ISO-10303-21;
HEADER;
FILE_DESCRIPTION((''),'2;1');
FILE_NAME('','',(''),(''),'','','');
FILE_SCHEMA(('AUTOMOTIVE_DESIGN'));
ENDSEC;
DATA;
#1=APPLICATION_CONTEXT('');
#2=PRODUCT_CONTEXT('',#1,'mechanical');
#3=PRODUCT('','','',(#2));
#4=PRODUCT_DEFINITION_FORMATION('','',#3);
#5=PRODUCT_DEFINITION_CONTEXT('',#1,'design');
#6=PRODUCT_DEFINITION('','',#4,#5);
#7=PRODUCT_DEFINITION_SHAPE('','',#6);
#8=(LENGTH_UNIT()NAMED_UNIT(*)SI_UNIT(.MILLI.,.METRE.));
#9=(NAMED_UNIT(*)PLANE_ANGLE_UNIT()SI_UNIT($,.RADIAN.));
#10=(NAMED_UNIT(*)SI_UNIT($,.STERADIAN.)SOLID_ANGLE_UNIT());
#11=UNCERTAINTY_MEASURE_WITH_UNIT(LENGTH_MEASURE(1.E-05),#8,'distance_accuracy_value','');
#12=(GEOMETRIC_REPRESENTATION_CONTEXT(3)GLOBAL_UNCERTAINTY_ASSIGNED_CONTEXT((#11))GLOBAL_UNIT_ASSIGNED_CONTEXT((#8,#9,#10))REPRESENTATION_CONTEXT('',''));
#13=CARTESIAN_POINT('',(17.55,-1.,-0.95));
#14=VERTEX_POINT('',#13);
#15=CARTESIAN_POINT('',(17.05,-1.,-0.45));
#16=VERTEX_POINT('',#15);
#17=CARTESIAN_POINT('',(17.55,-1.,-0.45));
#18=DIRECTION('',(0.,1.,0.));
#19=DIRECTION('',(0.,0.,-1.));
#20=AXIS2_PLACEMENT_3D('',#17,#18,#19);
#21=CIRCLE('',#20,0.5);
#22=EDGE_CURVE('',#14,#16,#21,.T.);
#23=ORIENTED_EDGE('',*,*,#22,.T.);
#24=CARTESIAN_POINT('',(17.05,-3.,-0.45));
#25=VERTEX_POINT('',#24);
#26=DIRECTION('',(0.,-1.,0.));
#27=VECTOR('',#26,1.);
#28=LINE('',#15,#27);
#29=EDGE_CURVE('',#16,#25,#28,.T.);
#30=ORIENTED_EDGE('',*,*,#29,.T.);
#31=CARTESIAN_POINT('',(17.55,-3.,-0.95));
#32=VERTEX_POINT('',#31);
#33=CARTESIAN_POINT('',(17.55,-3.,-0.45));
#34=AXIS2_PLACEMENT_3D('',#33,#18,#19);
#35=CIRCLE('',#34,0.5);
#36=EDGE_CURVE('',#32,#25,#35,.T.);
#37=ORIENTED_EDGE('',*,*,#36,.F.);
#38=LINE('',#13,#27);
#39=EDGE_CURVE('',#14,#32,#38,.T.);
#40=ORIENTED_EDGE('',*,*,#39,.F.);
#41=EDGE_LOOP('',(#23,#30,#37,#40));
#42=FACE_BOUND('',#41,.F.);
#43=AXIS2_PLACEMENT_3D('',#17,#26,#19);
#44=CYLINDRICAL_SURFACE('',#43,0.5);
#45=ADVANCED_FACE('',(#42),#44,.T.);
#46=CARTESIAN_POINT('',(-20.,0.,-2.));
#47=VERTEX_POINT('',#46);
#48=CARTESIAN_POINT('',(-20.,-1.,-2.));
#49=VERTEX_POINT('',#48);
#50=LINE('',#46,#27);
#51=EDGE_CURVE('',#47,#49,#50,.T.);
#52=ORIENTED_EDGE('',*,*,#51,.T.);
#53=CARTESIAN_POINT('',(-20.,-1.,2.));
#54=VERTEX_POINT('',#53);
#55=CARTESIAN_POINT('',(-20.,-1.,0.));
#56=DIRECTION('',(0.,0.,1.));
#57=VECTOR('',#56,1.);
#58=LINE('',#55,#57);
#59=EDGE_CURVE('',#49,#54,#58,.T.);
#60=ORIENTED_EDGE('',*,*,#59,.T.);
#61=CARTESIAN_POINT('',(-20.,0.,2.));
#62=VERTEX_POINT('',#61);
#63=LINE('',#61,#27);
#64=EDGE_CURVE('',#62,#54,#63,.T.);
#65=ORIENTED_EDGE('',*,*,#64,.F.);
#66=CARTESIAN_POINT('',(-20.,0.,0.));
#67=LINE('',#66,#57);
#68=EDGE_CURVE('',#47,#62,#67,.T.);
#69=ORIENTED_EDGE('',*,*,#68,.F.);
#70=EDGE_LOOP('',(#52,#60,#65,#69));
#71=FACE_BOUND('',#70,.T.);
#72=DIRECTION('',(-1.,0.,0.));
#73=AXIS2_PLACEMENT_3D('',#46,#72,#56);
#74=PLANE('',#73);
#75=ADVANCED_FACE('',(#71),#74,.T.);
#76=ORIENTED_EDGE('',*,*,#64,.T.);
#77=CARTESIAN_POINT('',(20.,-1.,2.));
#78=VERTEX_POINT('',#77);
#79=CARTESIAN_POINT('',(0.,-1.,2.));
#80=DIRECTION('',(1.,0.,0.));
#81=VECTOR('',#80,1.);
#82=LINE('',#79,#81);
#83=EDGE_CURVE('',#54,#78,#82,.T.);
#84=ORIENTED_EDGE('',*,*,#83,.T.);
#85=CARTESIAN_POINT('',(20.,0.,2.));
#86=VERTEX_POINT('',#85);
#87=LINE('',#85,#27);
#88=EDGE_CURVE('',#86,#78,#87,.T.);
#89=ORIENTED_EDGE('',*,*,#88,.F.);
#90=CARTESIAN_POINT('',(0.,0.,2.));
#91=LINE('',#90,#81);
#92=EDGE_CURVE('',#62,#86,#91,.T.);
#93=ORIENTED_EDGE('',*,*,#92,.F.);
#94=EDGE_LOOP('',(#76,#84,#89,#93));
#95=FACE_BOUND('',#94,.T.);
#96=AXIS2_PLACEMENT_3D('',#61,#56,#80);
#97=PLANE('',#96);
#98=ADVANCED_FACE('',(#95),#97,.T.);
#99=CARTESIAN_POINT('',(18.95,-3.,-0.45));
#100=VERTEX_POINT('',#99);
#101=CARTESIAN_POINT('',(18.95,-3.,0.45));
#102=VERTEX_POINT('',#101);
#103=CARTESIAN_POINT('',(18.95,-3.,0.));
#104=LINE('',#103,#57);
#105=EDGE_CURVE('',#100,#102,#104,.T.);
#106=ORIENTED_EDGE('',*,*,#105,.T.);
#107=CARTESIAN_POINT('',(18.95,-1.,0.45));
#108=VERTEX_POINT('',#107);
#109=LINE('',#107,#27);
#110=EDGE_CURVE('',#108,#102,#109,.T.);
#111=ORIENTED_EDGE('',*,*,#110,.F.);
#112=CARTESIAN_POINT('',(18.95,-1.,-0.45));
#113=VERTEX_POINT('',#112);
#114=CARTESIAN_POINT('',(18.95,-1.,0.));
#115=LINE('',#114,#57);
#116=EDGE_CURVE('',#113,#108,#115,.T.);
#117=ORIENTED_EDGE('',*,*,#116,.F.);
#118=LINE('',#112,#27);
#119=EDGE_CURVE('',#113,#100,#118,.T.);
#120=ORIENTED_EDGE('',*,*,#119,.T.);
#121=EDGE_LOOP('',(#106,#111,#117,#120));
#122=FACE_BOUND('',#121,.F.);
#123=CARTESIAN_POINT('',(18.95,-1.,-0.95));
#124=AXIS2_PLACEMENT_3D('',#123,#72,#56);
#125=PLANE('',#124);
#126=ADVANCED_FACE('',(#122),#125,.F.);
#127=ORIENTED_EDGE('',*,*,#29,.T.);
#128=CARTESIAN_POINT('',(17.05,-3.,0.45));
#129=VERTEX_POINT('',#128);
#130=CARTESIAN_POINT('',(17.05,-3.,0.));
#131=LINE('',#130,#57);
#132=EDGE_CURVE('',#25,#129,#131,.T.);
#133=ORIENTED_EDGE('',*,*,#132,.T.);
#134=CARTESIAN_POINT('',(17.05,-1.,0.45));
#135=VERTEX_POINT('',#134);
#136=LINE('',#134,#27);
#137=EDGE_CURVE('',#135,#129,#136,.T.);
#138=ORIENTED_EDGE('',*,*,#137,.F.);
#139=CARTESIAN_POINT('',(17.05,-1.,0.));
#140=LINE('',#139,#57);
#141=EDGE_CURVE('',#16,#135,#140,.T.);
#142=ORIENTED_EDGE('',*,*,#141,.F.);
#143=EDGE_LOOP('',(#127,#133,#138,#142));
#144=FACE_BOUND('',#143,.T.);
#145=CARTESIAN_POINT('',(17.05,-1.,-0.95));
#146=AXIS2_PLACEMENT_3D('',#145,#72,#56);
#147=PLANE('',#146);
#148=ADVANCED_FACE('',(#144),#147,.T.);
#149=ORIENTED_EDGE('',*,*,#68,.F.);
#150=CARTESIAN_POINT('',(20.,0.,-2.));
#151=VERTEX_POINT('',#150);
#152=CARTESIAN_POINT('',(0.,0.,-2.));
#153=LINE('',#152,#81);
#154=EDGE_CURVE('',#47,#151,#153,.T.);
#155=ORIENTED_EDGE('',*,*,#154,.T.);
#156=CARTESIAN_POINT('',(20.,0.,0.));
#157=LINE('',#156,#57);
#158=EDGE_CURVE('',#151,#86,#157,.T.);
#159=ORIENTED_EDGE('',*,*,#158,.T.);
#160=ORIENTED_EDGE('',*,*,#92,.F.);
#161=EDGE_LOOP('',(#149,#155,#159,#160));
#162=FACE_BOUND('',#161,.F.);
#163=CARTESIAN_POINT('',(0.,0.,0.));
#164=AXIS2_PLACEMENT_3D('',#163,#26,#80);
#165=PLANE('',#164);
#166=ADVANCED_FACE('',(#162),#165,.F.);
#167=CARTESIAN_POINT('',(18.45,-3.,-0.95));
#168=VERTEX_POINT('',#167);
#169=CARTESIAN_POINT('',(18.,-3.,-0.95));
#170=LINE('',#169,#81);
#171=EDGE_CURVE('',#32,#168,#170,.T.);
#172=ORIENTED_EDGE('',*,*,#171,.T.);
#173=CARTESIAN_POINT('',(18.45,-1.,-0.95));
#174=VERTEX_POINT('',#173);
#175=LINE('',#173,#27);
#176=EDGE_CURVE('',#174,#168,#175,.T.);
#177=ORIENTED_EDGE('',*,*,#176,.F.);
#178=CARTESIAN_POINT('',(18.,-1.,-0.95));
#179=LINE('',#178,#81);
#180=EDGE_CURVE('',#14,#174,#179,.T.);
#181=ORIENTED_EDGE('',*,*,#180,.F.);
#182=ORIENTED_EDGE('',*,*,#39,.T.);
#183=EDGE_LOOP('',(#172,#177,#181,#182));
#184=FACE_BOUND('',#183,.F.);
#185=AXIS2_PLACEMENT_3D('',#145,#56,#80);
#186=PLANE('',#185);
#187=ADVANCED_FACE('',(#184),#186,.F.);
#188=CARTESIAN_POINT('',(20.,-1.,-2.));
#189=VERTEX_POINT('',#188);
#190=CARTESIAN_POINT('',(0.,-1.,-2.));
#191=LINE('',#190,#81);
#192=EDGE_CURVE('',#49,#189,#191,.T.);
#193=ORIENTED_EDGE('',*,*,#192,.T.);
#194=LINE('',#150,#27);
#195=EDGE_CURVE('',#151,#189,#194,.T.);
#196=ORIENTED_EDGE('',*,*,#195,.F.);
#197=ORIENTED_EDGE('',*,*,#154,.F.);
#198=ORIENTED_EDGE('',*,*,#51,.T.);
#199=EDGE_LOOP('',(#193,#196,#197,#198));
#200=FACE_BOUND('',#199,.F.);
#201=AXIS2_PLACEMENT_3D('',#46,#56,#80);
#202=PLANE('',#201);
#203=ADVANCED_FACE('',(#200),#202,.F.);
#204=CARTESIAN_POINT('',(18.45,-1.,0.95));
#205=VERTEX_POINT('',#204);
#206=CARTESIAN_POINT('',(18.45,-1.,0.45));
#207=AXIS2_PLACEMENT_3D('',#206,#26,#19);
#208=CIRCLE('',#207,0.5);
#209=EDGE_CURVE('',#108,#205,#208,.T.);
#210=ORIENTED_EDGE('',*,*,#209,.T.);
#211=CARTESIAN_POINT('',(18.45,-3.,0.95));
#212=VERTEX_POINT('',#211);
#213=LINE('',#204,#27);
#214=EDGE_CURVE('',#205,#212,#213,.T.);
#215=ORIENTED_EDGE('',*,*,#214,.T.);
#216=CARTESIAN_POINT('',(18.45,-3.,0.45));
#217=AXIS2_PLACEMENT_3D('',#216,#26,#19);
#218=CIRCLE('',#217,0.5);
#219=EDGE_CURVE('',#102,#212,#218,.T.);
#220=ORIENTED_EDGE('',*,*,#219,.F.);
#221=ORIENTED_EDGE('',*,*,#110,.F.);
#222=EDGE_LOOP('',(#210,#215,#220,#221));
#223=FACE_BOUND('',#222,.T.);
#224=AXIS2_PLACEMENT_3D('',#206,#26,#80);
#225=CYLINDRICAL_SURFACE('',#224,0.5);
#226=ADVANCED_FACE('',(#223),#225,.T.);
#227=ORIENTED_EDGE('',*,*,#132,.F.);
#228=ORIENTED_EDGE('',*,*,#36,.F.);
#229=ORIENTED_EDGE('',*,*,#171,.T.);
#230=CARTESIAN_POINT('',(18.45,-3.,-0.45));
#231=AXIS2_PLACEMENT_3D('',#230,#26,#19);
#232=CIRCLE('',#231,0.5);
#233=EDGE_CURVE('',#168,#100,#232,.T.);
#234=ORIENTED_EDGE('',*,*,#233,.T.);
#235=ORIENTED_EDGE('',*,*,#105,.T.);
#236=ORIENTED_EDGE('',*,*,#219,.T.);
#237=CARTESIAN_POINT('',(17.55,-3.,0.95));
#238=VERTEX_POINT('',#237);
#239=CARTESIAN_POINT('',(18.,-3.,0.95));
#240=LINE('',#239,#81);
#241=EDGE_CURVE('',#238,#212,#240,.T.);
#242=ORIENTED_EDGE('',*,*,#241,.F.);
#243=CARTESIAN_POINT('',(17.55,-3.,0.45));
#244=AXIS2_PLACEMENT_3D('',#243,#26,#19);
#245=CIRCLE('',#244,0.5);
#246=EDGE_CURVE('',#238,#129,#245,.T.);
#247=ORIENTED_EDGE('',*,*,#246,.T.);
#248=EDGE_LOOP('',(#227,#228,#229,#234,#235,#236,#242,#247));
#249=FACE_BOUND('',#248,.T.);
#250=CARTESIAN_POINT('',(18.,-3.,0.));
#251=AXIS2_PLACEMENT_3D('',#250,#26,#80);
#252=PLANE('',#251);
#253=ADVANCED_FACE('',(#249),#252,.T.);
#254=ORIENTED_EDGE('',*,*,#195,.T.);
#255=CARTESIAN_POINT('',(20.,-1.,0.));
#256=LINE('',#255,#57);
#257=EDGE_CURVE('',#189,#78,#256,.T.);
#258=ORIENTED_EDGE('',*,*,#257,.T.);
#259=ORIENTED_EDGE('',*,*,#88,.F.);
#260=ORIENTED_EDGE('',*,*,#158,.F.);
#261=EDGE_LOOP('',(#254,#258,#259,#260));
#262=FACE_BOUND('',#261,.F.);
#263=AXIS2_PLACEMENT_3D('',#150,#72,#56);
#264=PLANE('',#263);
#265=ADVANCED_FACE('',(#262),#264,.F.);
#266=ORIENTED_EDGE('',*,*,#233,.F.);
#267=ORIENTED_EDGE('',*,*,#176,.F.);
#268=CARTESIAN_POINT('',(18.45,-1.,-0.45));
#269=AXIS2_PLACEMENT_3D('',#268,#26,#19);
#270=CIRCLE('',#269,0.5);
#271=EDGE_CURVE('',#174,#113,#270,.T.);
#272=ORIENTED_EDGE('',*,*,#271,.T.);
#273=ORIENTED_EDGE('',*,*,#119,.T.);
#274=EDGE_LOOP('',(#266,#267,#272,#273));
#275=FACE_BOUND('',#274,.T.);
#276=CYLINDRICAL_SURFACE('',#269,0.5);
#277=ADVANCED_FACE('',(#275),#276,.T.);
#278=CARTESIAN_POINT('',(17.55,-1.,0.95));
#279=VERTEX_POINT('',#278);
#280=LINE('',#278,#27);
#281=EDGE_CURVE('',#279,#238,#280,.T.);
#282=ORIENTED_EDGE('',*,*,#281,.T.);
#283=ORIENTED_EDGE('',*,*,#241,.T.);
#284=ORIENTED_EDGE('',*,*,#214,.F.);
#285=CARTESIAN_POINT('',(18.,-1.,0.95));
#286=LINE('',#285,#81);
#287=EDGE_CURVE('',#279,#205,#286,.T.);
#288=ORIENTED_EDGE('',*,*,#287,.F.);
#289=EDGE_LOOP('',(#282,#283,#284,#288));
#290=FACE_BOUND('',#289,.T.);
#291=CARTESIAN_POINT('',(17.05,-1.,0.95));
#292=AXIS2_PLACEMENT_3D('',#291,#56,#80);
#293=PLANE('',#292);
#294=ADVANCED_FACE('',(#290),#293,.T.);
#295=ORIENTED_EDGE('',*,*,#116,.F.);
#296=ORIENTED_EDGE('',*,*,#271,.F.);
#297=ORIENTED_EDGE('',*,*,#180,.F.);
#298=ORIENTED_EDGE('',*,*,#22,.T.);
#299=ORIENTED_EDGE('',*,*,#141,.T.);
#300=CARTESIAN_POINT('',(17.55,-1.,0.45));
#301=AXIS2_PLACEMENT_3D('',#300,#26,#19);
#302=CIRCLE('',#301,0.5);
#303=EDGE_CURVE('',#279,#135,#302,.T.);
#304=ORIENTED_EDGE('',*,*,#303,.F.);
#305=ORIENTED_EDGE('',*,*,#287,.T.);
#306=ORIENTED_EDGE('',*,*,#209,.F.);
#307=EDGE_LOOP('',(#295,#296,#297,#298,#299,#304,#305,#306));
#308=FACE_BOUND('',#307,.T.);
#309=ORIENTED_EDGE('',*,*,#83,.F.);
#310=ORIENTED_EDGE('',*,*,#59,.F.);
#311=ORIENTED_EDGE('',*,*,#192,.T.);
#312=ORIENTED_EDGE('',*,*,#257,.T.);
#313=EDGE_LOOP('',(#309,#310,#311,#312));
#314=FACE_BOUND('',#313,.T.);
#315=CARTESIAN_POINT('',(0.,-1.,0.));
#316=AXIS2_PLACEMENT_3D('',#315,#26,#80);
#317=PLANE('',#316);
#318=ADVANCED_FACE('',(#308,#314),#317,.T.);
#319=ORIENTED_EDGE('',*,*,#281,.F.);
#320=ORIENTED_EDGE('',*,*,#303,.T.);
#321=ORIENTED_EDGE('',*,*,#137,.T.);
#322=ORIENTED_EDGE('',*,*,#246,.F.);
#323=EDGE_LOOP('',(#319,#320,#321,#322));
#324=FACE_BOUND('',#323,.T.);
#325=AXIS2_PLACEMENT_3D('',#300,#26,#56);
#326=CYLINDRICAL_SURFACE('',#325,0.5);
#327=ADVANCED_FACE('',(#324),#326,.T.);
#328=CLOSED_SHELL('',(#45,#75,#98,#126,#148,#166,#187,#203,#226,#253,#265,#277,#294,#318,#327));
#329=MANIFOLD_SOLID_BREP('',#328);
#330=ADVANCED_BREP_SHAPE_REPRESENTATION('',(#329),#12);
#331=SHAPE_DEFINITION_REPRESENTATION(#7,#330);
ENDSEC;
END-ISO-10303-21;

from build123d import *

# Parameters (mm, degrees)
F0_W     = 40
F0_H     = 4
F0_W_2   = 1.9
F0_H_2   = 1.9
F1_DEPTH = 1
F2_W     = 1.9
F2_H     = 1.9
F3_DEPTH = 2
F4_R     = 0.5


with BuildPart() as f1:
    # F0 (on Front) → F1 (new body)
    with BuildSketch(Plane.XZ):
        Rectangle(F0_W, F0_H)
        with Locations((17.95, 0)):
            Rectangle(F0_W_2, F0_H_2, mode=Mode.SUBTRACT)
        with Locations((17.95, 0)):
            Rectangle(F0_W_2, F0_H_2)
    extrude(amount=F1_DEPTH)

    # F2 (on face) → F3 (join)
    with BuildSketch(Plane.XZ.offset(1)):
        with Locations((18, 0)):
            Rectangle(F2_W, F2_H)
    extrude(amount=F3_DEPTH)

    # F4
    f4_edges = [f1.edges().sort_by_distance(p)[0] for p in [
        (18.95, -2, 0.95),
        (17.05, -2, 0.95),
        (18.95, -2, -0.95),
        (17.05, -2, -0.95),
    ]]
    fillet(f4_edges, radius=F4_R)


solid = f1.part
